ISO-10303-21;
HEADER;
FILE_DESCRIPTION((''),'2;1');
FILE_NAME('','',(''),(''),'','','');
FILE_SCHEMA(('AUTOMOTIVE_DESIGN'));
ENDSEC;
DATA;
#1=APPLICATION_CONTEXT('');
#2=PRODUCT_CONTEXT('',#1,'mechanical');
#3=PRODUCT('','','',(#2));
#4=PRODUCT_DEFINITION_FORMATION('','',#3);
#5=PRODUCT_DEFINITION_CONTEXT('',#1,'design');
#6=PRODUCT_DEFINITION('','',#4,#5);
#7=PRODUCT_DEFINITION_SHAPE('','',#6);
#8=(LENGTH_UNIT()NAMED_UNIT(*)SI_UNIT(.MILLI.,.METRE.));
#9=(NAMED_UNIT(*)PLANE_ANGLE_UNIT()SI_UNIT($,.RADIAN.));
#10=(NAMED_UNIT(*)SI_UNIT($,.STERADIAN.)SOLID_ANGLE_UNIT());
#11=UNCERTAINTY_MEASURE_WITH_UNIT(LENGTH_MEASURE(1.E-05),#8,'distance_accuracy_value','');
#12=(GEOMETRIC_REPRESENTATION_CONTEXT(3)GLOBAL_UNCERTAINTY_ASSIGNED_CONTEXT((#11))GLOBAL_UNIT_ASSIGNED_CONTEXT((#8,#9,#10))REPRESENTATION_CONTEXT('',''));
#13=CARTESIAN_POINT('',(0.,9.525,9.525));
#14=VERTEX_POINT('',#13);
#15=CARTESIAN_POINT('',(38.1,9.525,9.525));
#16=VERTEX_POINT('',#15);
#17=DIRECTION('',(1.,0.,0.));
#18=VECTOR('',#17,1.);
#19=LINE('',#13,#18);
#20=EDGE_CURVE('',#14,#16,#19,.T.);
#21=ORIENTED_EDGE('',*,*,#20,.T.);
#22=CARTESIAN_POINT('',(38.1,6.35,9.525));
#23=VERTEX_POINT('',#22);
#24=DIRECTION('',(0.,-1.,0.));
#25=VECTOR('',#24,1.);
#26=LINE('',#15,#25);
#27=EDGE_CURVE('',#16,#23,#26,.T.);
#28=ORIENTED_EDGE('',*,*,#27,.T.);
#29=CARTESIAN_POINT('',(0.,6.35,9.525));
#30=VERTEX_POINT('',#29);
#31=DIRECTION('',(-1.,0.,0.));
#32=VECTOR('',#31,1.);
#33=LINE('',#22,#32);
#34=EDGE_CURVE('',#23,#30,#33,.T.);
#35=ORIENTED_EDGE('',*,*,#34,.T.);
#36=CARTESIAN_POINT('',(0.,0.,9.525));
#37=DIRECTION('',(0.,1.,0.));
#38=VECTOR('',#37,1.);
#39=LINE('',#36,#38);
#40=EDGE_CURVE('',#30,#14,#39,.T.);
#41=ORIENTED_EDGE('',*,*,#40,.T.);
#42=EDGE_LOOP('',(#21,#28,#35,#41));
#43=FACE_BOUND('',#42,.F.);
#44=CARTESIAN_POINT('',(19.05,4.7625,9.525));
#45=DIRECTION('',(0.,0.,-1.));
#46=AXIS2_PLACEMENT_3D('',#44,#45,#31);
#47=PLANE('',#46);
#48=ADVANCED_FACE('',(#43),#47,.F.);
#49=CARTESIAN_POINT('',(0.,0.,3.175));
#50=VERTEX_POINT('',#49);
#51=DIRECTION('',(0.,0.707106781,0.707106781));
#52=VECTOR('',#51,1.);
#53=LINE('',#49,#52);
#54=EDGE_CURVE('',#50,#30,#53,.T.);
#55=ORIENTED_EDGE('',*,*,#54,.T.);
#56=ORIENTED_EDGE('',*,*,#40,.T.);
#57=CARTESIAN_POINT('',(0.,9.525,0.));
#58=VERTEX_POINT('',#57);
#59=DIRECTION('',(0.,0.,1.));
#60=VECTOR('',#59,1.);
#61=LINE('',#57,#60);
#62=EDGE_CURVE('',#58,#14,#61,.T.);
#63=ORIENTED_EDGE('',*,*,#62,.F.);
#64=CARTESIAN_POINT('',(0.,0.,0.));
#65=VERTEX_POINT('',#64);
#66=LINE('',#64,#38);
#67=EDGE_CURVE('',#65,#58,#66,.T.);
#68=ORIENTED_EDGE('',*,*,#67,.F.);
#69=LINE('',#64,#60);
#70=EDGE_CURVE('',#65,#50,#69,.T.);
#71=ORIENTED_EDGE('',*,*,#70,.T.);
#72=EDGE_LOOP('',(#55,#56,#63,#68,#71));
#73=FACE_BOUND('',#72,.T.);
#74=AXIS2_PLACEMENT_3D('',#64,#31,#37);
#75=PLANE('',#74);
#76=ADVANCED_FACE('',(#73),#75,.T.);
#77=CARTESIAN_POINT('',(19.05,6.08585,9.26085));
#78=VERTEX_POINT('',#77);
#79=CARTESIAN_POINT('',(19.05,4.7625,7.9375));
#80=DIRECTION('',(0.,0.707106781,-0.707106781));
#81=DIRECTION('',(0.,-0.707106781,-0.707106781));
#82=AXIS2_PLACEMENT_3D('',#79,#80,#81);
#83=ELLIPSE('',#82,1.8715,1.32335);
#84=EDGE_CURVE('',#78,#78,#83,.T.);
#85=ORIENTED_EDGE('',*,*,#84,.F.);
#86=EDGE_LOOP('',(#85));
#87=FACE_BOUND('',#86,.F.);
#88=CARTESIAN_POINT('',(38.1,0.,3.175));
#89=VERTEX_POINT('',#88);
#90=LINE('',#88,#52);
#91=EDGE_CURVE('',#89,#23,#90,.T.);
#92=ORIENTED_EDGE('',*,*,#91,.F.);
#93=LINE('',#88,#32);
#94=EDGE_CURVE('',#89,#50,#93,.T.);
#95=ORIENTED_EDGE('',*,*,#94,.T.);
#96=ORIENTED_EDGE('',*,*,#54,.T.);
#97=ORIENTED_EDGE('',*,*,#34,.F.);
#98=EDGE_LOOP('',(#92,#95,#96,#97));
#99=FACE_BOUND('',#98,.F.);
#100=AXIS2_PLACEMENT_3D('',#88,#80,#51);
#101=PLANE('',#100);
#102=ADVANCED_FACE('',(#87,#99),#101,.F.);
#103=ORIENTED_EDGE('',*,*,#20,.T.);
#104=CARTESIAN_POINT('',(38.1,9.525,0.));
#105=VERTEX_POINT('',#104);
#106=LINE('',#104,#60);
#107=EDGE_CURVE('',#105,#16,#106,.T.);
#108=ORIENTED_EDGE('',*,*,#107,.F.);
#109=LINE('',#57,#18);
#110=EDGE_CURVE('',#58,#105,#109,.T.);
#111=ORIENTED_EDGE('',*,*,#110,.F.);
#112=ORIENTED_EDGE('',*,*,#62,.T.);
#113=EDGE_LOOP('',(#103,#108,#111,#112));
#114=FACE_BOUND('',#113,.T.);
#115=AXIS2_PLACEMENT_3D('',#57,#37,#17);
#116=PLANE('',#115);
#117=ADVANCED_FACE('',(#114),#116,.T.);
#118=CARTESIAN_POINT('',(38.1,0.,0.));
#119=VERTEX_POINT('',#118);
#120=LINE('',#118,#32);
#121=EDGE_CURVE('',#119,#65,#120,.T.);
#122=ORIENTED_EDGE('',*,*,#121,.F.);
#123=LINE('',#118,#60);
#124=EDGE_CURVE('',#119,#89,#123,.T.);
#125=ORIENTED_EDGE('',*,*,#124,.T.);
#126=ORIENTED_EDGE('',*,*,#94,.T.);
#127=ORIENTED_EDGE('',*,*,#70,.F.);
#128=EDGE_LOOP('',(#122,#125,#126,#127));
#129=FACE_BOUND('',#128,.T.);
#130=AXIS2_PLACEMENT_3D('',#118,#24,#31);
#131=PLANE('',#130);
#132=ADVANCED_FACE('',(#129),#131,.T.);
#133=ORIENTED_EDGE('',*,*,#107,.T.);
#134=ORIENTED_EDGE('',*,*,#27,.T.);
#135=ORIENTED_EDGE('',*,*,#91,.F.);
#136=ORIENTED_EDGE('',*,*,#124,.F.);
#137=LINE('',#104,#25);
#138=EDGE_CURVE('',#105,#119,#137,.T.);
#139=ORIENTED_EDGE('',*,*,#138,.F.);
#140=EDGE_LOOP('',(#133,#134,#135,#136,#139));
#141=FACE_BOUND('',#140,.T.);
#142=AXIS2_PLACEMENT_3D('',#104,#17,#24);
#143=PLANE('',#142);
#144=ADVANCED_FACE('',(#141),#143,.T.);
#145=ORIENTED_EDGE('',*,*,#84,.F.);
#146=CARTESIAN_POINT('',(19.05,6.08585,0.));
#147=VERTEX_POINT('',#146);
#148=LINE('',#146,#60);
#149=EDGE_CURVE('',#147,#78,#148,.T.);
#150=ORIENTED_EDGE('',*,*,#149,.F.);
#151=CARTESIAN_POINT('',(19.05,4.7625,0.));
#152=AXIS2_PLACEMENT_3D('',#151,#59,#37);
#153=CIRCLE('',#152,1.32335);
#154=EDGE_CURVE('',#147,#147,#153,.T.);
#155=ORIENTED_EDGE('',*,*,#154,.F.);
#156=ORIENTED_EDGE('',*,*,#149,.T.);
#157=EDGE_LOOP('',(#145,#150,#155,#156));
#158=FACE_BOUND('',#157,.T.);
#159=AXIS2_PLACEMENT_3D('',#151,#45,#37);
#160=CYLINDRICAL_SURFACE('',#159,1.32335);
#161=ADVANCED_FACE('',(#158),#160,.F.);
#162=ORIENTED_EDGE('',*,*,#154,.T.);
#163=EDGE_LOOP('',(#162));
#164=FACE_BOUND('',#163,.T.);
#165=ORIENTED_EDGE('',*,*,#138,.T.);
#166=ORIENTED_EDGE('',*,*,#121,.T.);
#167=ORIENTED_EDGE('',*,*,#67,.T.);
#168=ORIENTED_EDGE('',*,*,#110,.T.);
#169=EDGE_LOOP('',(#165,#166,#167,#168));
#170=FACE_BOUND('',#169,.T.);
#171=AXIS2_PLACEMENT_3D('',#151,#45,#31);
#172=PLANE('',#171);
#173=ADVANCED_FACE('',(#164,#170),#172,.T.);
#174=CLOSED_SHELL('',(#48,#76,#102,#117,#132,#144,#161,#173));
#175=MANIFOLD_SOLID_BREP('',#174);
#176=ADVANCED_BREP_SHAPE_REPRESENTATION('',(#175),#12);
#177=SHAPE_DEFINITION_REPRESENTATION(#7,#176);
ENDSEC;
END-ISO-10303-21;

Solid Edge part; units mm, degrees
sketch "Sketch1" plane through (0, 0, 0) normal (0, 0, 1) x (1, 0, 0)
  line L0 (0, 0) -> (0, 9.525)
  line L1 (0, 9.525) -> (38.1, 9.525)
  line L2 (38.1, 9.525) -> (38.1, 0)
  line L3 (38.1, 0) -> (0, 0)
  dimension "D1" = 9.525
  dimension "D2" = 38.1
extrude "Protrusion1" add sketch "Sketch1" along normal blind 9.525
hole "Hole_1" at (19.05, 4.7625, 0) direction (0, 0, 1) diameter 2.6467 end up to next
chamfer "Chamfer_1" distance 6.35 angle 45 1 edges at (19.05, 0, 9.525)
